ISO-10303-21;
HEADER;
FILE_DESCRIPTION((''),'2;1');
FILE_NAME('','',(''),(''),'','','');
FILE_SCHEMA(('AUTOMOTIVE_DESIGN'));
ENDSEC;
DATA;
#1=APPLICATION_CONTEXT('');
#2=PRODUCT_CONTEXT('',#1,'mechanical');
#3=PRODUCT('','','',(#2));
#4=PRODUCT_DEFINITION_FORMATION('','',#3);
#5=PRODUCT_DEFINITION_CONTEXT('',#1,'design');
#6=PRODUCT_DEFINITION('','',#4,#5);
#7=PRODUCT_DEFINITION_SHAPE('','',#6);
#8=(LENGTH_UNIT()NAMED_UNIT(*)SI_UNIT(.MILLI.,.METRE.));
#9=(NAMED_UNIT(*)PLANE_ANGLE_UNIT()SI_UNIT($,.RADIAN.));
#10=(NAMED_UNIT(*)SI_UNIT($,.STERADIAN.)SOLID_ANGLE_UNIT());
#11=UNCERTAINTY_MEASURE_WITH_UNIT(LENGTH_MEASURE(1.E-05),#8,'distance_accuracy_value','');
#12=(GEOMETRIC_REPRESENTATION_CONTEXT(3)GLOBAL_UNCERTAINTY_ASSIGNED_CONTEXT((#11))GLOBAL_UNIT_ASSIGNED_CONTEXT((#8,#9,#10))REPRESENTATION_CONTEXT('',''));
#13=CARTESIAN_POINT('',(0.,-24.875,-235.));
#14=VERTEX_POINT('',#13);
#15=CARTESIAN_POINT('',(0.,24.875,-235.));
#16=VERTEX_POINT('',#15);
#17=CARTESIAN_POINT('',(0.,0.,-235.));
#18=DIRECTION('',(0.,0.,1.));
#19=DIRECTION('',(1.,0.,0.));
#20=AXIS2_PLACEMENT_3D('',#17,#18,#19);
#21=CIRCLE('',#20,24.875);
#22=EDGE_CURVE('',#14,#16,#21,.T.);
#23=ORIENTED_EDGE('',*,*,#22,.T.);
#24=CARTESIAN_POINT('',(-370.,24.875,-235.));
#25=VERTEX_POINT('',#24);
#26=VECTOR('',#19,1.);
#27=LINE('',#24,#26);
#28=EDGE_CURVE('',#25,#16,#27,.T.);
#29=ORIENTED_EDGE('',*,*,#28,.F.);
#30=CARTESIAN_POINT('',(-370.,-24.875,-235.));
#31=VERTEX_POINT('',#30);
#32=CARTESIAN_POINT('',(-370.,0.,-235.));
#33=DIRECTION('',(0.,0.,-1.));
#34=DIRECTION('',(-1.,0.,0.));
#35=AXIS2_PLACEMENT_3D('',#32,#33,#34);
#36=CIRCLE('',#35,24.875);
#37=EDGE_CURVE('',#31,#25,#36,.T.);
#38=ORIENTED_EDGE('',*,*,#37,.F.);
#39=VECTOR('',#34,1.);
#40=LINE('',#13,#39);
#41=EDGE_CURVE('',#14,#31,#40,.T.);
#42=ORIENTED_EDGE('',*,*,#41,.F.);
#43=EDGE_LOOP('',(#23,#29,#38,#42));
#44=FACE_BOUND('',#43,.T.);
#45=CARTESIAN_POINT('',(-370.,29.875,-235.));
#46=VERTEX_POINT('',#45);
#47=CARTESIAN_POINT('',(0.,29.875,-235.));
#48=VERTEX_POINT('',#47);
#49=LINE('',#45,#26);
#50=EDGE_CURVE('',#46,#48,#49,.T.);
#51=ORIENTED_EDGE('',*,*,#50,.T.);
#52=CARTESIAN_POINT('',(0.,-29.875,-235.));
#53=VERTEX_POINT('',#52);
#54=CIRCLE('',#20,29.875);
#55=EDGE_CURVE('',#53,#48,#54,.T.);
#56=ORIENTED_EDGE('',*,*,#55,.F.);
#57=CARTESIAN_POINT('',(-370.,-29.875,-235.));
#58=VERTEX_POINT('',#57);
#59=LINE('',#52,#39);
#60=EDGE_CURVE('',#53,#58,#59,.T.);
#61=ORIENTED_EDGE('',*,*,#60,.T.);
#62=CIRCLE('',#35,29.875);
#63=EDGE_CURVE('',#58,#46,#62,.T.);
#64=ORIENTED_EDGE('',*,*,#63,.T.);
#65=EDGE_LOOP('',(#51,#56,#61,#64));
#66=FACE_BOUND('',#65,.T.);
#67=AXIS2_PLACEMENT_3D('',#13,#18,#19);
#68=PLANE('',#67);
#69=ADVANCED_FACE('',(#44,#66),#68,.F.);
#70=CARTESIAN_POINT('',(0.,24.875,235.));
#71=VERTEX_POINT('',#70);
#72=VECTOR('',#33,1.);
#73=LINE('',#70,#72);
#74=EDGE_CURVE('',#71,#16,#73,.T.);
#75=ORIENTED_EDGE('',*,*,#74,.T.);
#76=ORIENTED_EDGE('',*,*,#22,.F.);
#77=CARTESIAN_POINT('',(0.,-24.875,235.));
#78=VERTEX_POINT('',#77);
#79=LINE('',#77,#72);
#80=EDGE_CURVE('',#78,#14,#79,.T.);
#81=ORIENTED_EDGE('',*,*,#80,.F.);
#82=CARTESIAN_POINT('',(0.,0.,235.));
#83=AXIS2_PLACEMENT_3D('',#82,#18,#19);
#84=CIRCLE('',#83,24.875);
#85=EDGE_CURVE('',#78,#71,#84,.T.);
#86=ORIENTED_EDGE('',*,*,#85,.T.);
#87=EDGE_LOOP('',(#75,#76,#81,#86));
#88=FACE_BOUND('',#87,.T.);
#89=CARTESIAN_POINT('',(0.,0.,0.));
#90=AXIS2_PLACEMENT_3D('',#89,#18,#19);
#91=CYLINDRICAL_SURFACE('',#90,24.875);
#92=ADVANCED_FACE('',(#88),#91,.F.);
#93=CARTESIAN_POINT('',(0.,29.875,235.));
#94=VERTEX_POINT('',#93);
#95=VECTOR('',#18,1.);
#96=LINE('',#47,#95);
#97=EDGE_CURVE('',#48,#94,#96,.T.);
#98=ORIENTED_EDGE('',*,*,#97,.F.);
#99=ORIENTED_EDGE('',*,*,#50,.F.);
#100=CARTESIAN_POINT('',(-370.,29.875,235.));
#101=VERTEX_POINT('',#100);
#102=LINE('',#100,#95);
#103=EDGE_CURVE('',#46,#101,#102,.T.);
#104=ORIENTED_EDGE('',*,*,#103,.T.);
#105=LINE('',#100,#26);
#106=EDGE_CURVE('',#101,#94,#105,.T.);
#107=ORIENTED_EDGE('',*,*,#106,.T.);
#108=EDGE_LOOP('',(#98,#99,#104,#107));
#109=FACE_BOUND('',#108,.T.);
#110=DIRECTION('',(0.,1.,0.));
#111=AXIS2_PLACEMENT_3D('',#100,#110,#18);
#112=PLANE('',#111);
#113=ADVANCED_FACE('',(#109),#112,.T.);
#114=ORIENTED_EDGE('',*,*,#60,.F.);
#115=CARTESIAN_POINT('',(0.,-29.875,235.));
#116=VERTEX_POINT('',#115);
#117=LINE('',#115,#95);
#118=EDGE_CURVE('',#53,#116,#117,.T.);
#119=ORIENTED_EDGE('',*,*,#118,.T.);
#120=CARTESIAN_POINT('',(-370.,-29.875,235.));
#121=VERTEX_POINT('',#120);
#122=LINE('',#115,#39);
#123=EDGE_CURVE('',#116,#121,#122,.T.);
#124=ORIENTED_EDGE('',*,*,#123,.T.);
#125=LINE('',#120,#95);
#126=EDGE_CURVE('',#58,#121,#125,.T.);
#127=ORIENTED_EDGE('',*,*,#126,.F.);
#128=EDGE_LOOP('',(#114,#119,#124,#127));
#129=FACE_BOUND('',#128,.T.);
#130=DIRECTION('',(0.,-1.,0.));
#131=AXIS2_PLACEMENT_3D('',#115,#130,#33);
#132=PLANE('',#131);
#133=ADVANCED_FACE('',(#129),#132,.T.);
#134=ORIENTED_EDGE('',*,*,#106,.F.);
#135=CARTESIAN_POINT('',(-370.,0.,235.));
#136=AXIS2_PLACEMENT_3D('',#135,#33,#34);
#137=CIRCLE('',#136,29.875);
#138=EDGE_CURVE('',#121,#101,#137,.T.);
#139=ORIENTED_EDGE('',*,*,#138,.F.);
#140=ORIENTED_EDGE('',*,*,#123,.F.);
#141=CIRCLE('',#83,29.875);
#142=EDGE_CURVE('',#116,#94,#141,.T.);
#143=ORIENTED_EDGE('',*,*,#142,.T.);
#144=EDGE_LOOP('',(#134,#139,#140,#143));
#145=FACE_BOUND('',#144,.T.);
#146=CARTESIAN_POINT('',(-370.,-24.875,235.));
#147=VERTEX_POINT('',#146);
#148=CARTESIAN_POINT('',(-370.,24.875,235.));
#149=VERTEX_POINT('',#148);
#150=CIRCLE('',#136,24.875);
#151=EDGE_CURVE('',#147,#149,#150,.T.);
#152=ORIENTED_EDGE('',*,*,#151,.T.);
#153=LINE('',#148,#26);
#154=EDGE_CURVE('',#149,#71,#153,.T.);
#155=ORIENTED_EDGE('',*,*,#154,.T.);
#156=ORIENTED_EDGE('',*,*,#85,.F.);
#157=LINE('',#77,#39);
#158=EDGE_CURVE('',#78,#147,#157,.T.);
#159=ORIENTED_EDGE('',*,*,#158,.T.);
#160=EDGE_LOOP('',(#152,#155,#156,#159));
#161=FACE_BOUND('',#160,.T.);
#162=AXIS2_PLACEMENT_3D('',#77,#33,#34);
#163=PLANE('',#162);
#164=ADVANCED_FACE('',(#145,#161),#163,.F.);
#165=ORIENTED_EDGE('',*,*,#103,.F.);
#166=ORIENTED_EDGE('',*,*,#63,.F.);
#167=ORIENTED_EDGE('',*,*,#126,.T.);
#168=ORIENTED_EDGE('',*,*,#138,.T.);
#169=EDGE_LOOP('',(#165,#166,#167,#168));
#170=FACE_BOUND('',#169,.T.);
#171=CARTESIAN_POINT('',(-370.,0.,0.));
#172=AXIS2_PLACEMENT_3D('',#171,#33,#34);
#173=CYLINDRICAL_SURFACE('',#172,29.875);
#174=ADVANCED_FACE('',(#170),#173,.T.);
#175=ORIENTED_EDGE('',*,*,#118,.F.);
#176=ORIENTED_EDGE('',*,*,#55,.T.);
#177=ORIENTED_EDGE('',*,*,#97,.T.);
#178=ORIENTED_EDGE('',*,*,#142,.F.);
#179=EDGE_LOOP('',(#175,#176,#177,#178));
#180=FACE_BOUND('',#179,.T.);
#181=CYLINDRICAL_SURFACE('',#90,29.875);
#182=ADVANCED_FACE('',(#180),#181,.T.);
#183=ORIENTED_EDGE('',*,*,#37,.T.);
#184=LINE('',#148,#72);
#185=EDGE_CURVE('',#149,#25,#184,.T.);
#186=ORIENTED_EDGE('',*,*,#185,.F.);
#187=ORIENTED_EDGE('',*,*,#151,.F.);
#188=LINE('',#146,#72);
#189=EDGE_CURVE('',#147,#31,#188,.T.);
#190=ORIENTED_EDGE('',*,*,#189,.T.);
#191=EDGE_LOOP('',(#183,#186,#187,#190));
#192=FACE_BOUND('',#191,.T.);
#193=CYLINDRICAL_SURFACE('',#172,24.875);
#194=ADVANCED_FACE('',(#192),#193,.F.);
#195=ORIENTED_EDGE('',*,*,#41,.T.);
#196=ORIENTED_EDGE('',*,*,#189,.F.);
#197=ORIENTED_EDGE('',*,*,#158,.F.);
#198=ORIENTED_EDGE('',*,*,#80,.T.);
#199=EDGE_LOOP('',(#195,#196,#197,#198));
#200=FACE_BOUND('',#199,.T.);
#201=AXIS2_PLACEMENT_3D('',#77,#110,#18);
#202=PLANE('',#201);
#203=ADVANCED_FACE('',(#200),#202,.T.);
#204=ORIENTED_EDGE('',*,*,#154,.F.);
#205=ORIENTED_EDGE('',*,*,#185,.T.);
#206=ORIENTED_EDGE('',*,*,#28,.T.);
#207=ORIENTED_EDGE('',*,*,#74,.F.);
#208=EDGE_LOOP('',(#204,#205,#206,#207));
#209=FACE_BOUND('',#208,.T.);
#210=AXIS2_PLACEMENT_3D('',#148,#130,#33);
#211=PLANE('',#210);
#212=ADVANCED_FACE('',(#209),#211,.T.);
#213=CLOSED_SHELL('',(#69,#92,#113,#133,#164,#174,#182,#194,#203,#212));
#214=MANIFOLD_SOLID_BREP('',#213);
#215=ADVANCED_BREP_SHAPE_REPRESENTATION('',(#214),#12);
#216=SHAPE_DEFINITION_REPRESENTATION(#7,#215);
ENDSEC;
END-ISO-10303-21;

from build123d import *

# Parameters (mm, degrees)
SKETCH3_W = 470
SKETCH3_H = 5


with BuildPart() as part:
    # Sweep2: sweep along a path in Sketch2
    with BuildLine(Plane.XY) as sweep2_path:
        Line((0, -24.875), (-370, -24.875))
        ThreePointArc((-370, -24.875), (-394.875, 0), (-370, 24.875))
        Line((-370, 24.875), (0, 24.875))
        ThreePointArc((0, 24.875), (24.875, 0), (0, -24.875))
    # Sketch3 → Sweep2 (sweep)
    with BuildSketch(Plane(origin=(0, 0, 0), x_dir=(0, 0, -1), z_dir=(1, 0, 0))):
        with Locations((0, 27.375)):
            Rectangle(SKETCH3_W, SKETCH3_H)
    sweep(path=sweep2_path.line)


solid = part.part
